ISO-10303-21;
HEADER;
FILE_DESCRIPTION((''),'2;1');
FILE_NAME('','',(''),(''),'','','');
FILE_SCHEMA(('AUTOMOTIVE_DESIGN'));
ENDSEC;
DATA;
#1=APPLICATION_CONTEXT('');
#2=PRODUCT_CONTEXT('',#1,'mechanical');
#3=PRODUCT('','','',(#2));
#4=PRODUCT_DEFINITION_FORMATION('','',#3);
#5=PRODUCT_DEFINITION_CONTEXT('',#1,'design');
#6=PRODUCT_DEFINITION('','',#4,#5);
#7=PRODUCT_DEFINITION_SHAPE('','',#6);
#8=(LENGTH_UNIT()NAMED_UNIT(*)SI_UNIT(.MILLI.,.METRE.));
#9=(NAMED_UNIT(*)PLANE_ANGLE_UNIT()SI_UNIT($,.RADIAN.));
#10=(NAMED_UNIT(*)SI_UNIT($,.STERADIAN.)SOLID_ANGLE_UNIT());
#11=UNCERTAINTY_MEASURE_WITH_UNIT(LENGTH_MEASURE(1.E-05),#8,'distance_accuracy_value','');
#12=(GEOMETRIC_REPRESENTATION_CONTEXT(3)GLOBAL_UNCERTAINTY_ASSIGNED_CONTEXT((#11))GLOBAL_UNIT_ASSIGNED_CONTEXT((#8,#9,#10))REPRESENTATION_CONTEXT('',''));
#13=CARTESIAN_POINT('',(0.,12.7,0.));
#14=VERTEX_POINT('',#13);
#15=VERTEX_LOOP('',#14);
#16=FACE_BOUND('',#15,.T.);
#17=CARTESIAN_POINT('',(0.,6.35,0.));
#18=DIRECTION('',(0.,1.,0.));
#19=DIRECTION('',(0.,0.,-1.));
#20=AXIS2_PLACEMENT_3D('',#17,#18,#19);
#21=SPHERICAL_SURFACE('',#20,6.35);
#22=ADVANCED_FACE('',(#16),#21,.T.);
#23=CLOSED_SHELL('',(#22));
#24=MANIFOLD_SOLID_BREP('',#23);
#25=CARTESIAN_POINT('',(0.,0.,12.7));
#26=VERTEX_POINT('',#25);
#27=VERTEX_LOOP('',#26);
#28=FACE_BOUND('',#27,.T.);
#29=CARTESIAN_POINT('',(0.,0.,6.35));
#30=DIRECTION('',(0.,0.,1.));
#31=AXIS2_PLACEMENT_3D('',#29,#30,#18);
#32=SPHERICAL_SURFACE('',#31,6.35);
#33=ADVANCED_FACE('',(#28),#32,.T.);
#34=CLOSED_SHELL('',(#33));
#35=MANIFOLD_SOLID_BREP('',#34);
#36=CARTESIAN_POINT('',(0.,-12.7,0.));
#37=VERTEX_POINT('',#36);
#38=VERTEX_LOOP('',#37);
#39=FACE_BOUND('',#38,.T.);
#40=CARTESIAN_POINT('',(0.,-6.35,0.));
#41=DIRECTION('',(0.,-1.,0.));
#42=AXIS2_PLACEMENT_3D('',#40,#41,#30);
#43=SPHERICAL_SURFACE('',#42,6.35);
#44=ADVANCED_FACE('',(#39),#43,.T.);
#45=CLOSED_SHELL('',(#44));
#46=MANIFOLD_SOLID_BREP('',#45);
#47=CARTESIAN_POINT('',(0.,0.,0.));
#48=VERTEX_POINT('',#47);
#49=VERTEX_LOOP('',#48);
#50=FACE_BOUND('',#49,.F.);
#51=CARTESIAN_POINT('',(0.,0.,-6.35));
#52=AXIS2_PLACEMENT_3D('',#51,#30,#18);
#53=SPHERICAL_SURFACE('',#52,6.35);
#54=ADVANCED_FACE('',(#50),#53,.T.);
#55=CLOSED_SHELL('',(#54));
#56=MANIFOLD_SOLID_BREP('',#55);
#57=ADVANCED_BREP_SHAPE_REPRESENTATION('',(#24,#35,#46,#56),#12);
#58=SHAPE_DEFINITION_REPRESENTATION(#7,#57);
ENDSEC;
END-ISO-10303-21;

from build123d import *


with BuildPart() as f1:
    # F0 (on Right) → F1 (revolve)
    with BuildSketch(Plane.YZ):
        with BuildLine():
            ThreePointArc((0, -12.7), (6.35, -6.35), (0, 0))
            Line((0, 0), (0, -12.7))
        make_face()
    revolve(axis=Axis((0, 0, -6.35), (0, 0, -1)))


with BuildPart() as f3:
    # F2 (on Right) → F3 (revolve)
    with BuildSketch(Plane.YZ):
        with BuildLine():
            Line((0, 12.7), (0, 0))
            ThreePointArc((0, 0), (6.35, 6.35), (0, 12.7))
        make_face()
    revolve(axis=Axis((0, 0, 6.35), (0, 0, 1)))


with BuildPart() as f5:
    # F4 (on Right) → F5 (revolve)
    with BuildSketch(Plane.YZ):
        with BuildLine():
            Line((12.7, 0), (0, 0))
            ThreePointArc((0, 0), (6.35, -6.35), (12.7, 0))
        make_face()
    revolve(axis=Axis((0, 6.35, 0), (0, 1, 0)))


with BuildPart() as f7:
    # F6 (on Right) → F7 (revolve)
    with BuildSketch(Plane.YZ):
        with BuildLine():
            Line((-12.7, 0), (0, 0))
            ThreePointArc((0, 0), (-6.35, 6.35), (-12.7, 0))
        make_face()
    revolve(axis=Axis((0, -6.35, 0), (0, -1, 0)))


solid = Compound([f1.part, f3.part, f5.part, f7.part])
